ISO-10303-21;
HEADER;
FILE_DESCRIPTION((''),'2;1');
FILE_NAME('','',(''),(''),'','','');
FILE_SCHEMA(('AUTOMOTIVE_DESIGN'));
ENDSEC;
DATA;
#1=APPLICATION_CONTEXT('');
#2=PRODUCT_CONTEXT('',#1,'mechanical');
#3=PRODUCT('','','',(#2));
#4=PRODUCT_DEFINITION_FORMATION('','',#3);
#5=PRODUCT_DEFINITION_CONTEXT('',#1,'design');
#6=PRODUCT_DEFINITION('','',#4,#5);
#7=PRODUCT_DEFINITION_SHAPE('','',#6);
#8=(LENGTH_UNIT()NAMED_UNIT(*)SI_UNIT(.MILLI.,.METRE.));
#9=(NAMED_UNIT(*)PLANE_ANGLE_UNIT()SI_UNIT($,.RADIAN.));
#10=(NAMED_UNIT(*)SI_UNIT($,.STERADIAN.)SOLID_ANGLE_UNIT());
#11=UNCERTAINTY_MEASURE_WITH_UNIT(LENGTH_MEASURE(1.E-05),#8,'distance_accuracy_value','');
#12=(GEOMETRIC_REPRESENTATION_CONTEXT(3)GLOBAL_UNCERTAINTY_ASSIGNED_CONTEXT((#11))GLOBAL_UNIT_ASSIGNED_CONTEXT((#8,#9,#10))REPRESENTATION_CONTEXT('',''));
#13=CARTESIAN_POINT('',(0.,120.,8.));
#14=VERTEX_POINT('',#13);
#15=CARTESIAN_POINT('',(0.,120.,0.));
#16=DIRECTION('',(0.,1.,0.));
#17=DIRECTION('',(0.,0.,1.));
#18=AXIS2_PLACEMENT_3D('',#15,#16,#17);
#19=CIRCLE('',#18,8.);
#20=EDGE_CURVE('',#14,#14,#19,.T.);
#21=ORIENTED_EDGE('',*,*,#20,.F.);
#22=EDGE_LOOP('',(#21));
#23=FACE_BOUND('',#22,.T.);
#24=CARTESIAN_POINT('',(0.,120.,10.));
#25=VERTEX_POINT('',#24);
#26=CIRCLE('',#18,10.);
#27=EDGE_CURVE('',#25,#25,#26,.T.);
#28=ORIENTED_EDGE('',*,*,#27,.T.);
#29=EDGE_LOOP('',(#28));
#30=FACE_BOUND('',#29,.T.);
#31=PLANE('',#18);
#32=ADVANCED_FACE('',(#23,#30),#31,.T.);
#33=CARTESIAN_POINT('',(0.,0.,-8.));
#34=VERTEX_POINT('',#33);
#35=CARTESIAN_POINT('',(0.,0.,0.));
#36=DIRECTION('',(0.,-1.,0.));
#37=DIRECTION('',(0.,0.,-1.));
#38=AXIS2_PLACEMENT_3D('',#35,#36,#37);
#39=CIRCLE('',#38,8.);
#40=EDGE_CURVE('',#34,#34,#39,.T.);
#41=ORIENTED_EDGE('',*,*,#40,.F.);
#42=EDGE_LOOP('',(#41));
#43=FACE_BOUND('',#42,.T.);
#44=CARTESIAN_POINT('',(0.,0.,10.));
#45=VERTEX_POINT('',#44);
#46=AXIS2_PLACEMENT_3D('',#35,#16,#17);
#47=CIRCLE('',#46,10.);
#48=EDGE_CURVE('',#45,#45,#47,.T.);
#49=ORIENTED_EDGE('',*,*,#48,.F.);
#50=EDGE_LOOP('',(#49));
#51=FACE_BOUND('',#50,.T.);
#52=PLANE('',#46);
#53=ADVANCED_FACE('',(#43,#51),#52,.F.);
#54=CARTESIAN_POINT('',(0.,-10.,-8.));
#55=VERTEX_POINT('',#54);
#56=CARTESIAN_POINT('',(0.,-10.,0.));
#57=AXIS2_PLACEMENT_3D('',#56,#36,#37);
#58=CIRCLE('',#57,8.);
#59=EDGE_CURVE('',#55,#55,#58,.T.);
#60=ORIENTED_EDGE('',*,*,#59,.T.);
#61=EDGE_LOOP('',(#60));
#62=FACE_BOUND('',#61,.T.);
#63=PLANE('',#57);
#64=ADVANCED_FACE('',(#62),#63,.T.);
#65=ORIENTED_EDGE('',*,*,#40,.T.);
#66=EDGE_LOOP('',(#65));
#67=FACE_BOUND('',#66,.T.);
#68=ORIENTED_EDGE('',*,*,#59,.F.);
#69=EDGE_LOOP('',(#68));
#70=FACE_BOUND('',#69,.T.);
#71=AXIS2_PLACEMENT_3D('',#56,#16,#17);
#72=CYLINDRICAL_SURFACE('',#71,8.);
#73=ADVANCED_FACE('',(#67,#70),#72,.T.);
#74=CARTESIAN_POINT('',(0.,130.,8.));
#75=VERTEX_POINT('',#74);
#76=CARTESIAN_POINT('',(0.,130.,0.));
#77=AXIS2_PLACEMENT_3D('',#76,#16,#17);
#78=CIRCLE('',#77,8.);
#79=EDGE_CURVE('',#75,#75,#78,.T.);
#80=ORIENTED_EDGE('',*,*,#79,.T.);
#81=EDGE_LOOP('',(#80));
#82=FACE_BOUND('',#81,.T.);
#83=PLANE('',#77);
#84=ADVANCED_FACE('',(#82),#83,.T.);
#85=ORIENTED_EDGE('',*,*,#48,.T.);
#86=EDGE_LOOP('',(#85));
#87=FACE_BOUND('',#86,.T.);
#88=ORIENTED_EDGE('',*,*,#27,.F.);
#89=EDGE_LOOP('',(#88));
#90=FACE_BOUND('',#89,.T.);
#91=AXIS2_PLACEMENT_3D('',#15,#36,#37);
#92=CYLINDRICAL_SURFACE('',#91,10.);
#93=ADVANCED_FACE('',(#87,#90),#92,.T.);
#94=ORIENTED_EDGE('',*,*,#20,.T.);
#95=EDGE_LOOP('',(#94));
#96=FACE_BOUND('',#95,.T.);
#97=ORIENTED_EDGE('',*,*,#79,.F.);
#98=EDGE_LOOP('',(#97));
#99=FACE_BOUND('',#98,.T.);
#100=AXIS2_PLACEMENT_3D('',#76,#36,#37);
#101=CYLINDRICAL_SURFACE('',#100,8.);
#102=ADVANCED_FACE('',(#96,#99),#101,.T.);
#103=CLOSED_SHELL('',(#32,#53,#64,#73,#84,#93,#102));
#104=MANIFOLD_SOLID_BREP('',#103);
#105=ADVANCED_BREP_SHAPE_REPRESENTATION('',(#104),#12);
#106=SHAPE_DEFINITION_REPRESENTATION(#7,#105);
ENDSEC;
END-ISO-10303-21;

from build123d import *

# Parameters (mm, degrees)
ESQUISSE1_R        = 10
BOSS_EXTRU_1_DEPTH = 120
ESQUISSE2_R        = 8
BOSS_EXTRU_2_DEPTH = 10
BOSS_EXTRU_3_START = 10
ESQUISSE3_R        = 8
BOSS_EXTRU_3_DEPTH = 10


with BuildPart() as part:
    # Esquisse1 → Boss.-Extru.1 (new body)
    with BuildSketch(Plane(origin=(0, 0, 0), x_dir=(1, 0, 0), z_dir=(0, 1, 0))):
        with Locations(Location((0, 0, 0), (0, 0, 270))):
            Circle(ESQUISSE1_R)
    extrude(amount=BOSS_EXTRU_1_DEPTH)

    # Esquisse2 → Boss.-Extru.2 (add)
    with BuildSketch(Plane.XZ):
        with Locations(Location((0, 0, 0), (0, 0, 270))):
            Circle(ESQUISSE2_R)
    extrude(amount=BOSS_EXTRU_2_DEPTH)

    # Esquisse3 → Boss.-Extru.3 (add)
    with BuildSketch(Plane(origin=(0, 120, 0), x_dir=(1, 0, 0), z_dir=(0, 1, 0)).offset(BOSS_EXTRU_3_START)):
        with Locations(Location((0, 0, 0), (0, 0, 90))):
            Circle(ESQUISSE3_R)
    extrude(amount=-BOSS_EXTRU_3_DEPTH)


solid = part.part
